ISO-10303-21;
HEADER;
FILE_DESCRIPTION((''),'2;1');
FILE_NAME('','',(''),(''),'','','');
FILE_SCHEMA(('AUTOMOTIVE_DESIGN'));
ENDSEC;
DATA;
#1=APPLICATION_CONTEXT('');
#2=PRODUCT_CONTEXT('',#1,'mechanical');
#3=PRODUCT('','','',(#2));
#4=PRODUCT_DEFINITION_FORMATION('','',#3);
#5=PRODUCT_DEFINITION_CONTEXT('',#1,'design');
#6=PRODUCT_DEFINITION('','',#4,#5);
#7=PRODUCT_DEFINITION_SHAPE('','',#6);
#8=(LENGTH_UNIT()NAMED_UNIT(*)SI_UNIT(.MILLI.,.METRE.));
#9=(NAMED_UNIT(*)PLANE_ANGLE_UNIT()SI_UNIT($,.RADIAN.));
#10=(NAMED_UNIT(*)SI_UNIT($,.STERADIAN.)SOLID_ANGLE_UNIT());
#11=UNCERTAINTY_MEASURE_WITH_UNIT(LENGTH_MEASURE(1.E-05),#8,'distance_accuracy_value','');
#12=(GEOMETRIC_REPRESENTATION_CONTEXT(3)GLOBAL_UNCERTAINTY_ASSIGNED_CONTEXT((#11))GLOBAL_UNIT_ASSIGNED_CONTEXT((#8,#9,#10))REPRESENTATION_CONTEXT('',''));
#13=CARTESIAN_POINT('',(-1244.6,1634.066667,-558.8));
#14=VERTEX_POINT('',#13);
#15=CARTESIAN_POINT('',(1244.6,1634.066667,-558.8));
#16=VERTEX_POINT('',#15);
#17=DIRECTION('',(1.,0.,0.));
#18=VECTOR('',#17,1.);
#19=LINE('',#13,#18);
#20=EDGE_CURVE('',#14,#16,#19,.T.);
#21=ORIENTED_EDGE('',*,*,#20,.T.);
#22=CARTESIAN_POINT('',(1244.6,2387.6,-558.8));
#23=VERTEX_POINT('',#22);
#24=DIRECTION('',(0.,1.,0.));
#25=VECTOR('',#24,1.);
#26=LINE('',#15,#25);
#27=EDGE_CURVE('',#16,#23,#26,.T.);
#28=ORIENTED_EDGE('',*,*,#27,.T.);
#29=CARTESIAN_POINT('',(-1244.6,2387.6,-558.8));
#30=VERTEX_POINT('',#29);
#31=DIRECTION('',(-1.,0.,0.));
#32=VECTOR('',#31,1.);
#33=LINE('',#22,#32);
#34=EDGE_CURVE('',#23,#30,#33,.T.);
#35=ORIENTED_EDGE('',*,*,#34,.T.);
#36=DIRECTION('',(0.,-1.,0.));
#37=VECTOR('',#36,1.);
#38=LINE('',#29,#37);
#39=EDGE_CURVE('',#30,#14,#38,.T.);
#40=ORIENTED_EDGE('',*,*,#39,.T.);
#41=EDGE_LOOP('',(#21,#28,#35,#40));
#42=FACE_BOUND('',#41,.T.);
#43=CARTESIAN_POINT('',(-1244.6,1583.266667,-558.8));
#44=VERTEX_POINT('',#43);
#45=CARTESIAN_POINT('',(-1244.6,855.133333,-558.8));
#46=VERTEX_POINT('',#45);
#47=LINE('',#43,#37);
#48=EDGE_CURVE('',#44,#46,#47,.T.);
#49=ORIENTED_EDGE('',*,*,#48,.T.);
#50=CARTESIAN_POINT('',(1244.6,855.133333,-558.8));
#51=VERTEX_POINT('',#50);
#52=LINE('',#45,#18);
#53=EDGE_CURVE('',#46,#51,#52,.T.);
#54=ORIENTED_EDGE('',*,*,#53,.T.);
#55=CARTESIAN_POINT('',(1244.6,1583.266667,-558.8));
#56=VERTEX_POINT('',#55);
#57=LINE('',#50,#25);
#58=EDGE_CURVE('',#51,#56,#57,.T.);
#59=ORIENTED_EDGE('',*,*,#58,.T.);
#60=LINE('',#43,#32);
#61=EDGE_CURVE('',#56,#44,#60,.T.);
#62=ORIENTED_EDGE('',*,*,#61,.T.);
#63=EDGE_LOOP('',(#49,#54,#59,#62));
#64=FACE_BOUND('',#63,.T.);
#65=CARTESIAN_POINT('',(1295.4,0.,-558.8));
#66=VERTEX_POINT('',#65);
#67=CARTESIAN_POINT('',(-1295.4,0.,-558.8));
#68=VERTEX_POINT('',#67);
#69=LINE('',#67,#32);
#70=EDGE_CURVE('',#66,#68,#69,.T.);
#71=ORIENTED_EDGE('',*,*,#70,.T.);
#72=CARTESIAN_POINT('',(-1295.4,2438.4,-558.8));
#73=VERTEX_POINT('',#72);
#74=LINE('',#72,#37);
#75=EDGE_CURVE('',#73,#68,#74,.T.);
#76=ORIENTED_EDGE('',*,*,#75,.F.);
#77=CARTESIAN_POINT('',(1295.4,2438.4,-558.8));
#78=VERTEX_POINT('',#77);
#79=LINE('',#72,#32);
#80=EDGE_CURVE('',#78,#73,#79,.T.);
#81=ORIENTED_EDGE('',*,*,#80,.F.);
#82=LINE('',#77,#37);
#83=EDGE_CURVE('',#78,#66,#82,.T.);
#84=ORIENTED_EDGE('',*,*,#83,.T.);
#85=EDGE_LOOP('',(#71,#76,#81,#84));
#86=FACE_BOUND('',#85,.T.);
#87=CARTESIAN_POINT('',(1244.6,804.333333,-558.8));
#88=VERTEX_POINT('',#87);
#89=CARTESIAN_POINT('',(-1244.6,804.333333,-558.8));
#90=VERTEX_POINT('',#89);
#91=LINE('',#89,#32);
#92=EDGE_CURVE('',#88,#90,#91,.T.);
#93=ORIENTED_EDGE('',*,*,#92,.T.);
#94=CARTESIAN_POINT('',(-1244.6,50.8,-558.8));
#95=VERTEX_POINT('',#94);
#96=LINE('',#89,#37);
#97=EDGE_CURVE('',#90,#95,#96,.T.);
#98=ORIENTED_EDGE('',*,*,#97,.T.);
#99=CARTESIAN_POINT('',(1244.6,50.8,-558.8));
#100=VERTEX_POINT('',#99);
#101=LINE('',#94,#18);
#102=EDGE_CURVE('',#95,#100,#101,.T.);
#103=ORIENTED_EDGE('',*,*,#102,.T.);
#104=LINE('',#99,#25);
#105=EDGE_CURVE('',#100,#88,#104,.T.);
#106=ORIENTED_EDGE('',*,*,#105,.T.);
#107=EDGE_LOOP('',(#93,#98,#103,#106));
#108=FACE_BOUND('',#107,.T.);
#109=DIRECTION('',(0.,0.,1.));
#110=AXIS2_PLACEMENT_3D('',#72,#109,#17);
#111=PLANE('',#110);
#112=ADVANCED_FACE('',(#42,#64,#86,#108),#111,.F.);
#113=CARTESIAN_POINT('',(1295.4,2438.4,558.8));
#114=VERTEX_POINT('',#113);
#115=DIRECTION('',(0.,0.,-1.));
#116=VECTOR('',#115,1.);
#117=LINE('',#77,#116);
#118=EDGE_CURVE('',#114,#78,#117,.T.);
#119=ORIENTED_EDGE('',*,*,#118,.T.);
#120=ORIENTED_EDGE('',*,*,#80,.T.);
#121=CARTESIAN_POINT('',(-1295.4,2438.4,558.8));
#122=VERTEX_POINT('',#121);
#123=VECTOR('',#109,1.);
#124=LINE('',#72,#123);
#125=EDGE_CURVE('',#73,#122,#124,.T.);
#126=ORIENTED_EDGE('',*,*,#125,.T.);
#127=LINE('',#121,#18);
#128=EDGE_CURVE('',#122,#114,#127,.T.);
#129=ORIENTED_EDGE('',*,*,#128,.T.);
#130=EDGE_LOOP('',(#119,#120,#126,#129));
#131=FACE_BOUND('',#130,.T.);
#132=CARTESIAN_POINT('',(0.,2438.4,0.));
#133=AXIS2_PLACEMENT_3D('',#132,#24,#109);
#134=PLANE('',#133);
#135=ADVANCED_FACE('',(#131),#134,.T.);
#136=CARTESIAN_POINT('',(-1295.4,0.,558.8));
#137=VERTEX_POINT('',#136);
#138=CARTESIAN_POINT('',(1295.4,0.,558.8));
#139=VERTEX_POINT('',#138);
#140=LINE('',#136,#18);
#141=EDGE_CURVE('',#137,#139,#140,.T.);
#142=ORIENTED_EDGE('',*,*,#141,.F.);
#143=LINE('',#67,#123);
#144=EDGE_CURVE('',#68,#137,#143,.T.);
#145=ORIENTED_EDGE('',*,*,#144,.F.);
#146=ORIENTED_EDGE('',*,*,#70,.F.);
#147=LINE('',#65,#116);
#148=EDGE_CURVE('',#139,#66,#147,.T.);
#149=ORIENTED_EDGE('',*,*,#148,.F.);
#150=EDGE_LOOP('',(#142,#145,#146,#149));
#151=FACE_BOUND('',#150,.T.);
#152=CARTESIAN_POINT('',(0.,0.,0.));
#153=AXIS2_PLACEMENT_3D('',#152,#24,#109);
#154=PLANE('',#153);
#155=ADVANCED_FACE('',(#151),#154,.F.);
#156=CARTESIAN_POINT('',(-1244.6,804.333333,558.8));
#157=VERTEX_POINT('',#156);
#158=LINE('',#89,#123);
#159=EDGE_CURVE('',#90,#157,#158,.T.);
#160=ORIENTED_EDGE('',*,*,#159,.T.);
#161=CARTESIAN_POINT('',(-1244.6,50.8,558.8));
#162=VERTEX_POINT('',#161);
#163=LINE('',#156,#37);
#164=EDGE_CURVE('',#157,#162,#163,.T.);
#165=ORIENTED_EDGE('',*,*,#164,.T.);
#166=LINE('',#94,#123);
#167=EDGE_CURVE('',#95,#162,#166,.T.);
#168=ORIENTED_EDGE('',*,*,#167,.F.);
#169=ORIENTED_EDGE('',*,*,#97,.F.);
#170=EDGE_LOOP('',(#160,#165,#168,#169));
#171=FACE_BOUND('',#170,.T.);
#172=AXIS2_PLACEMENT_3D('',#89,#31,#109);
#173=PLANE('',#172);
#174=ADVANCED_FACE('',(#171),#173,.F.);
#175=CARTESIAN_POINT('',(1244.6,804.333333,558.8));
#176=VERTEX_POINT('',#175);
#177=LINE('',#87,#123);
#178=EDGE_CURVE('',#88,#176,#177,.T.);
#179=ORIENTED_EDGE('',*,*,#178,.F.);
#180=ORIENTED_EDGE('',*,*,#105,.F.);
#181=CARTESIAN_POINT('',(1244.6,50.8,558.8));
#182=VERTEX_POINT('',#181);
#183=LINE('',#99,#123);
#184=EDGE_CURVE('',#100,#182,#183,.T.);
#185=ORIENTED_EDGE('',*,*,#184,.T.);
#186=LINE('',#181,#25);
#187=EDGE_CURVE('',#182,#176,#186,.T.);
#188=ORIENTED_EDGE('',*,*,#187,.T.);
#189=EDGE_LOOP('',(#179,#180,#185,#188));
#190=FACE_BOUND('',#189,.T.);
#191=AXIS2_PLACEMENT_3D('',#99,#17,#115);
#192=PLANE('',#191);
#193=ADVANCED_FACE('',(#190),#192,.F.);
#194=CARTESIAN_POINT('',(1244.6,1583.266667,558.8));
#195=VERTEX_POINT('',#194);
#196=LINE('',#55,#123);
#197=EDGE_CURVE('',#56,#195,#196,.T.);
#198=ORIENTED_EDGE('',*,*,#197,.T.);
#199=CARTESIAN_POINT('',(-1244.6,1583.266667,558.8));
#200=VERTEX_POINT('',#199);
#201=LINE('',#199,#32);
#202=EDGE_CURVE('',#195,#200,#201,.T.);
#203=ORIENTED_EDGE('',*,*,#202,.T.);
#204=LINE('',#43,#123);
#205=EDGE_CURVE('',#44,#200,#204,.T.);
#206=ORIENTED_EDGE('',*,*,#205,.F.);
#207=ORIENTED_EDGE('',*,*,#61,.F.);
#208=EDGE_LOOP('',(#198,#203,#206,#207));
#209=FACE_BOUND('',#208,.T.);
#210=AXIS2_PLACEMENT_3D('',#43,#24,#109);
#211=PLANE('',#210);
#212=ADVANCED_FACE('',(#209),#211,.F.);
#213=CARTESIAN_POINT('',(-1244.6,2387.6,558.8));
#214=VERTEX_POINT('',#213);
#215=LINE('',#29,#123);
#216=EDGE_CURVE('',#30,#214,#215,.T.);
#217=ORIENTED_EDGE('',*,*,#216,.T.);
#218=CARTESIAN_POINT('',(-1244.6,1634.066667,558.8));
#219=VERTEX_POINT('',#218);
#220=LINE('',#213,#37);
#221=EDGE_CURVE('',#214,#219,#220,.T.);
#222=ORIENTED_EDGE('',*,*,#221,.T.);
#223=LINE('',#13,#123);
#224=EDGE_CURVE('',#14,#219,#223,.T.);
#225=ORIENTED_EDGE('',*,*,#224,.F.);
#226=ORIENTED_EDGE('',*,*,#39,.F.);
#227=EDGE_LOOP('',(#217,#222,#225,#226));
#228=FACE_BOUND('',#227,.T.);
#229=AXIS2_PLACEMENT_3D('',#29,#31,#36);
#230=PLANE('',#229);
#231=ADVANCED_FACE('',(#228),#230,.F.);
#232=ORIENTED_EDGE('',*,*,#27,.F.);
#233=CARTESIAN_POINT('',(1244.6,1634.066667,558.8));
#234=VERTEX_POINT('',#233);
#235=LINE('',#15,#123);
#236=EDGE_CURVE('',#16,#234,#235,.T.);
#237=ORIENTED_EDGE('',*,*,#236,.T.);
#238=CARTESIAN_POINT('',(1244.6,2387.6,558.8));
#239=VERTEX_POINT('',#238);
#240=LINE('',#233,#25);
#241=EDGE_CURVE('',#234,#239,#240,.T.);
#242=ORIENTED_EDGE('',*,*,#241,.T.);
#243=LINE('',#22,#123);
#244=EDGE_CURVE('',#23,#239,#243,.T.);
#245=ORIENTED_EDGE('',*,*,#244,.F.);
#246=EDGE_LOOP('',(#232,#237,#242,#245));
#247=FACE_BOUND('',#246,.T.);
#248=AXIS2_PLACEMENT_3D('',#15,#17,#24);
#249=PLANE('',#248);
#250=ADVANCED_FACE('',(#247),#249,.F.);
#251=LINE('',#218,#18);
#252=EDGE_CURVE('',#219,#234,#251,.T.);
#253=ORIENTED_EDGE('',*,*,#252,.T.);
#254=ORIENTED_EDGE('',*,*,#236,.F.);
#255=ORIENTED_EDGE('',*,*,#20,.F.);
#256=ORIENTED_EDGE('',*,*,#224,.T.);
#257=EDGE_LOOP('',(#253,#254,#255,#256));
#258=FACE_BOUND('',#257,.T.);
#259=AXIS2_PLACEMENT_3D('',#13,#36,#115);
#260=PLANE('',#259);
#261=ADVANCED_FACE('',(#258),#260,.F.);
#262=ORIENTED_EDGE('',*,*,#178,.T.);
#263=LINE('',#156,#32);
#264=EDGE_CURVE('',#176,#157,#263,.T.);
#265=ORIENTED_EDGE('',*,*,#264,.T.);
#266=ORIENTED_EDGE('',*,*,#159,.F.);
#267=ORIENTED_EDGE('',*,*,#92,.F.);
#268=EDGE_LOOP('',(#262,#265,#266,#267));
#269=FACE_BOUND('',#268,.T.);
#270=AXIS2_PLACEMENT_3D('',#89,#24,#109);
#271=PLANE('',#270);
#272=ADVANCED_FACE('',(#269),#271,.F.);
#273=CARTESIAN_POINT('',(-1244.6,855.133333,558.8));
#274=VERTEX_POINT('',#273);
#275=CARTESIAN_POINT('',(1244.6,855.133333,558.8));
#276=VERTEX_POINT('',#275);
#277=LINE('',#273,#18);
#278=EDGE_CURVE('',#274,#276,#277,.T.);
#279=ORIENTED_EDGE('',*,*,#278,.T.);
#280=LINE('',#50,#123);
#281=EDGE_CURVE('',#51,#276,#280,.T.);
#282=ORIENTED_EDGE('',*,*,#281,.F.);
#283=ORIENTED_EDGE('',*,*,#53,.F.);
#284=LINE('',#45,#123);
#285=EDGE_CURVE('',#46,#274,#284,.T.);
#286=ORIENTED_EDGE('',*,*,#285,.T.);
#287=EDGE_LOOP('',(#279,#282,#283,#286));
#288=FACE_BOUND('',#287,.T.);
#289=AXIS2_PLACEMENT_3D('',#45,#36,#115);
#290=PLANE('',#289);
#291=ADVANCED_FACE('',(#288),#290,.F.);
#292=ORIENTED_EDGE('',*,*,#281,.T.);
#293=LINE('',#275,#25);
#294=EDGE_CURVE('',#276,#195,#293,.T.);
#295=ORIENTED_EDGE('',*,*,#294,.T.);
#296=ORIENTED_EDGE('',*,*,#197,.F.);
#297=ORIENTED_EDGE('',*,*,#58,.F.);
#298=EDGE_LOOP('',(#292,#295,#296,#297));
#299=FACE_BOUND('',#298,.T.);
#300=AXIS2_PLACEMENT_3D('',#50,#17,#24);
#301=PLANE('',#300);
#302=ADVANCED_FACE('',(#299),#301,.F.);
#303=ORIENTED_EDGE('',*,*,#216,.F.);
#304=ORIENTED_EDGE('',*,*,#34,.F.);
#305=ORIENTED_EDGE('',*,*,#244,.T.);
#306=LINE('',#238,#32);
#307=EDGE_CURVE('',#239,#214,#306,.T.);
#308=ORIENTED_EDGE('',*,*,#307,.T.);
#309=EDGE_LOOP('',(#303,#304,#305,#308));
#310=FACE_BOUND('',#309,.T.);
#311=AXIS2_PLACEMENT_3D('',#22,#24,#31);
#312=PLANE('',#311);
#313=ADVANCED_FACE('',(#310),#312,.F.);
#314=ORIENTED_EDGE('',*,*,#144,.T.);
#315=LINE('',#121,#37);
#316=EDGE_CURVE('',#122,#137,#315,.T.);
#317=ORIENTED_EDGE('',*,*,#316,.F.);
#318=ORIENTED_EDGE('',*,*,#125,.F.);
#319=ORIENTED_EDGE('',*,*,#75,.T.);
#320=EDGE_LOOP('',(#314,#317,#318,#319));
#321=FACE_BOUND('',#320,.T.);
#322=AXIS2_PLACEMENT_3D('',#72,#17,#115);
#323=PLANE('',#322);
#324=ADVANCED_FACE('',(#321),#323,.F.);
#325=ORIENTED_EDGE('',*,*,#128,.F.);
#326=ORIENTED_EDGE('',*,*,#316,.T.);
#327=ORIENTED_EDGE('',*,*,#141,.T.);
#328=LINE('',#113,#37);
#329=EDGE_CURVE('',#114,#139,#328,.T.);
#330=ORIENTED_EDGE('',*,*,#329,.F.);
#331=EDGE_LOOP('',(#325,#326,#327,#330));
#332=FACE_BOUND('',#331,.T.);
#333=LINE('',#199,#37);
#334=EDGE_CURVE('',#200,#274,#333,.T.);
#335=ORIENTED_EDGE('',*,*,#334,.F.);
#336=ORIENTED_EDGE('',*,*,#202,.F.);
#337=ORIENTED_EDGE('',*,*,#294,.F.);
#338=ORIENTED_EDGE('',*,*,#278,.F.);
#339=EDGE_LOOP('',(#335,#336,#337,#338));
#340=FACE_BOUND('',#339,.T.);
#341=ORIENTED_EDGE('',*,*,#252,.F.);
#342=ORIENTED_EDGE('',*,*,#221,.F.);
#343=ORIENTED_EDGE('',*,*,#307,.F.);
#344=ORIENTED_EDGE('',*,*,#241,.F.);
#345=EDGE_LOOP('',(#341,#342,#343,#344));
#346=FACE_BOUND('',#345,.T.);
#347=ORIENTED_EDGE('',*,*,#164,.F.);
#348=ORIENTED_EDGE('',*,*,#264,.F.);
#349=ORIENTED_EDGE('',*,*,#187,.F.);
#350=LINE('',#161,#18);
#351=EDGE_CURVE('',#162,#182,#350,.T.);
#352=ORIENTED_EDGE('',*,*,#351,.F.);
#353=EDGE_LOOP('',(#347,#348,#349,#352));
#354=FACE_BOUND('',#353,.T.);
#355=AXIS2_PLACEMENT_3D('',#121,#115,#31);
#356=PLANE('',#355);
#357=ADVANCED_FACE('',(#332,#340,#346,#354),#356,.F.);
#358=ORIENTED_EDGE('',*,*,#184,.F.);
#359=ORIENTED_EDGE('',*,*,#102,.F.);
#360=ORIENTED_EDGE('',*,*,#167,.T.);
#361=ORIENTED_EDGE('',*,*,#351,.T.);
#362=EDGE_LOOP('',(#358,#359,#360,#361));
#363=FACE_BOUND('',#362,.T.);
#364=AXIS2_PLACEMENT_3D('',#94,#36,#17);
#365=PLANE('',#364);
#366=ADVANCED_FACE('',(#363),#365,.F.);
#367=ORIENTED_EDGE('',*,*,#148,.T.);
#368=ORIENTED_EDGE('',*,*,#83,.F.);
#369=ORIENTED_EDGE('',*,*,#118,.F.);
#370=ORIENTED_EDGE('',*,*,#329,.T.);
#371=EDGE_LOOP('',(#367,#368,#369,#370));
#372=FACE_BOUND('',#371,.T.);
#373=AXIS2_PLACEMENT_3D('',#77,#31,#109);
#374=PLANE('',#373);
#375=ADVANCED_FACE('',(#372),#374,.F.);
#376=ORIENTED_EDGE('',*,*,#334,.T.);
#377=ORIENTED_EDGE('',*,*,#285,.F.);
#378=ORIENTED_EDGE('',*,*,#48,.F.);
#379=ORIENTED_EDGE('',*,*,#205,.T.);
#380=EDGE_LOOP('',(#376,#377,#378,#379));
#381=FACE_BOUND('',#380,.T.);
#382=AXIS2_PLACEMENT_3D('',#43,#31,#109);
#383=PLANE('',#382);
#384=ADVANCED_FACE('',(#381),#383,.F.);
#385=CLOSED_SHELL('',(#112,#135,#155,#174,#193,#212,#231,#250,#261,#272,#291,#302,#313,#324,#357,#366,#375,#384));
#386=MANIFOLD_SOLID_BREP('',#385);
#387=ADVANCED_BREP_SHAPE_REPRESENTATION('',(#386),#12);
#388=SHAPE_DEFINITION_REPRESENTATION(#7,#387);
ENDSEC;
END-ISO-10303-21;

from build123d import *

# Parameters (mm, degrees)
SKETCH1_W           = 2590.8
SKETCH1_H           = 1117.6
BOSS_EXTRUDE1_DEPTH = 2438.4
SKETCH2_W           = 2489.2
SKETCH2_H           = 753.533333333
SKETCH2_H_2         = 728.133333334
CUT_EXTRUDE1_DEPTH  = 2979.738907659


with BuildPart() as part:
    # Sketch1 → Boss-Extrude1 (new body)
    with BuildSketch(Plane(origin=(0, 0, 0), x_dir=(1, 0, 0), z_dir=(0, 1, 0))):
        Rectangle(SKETCH1_W, SKETCH1_H)
    extrude(amount=BOSS_EXTRUDE1_DEPTH)

    # Sketch2 → Cut-Extrude1 (cut, through all)
    with BuildSketch(Plane.XY.offset(558.8)):
        with Locations((0, 427.566666666)):
            Rectangle(SKETCH2_W, SKETCH2_H)
        with Locations((0, 2010.833333334)):
            Rectangle(SKETCH2_W, SKETCH2_H)
        with Locations((0, 1219.2)):
            Rectangle(SKETCH2_W, SKETCH2_H_2)
    extrude(amount=-CUT_EXTRUDE1_DEPTH, mode=Mode.SUBTRACT)


solid = part.part
